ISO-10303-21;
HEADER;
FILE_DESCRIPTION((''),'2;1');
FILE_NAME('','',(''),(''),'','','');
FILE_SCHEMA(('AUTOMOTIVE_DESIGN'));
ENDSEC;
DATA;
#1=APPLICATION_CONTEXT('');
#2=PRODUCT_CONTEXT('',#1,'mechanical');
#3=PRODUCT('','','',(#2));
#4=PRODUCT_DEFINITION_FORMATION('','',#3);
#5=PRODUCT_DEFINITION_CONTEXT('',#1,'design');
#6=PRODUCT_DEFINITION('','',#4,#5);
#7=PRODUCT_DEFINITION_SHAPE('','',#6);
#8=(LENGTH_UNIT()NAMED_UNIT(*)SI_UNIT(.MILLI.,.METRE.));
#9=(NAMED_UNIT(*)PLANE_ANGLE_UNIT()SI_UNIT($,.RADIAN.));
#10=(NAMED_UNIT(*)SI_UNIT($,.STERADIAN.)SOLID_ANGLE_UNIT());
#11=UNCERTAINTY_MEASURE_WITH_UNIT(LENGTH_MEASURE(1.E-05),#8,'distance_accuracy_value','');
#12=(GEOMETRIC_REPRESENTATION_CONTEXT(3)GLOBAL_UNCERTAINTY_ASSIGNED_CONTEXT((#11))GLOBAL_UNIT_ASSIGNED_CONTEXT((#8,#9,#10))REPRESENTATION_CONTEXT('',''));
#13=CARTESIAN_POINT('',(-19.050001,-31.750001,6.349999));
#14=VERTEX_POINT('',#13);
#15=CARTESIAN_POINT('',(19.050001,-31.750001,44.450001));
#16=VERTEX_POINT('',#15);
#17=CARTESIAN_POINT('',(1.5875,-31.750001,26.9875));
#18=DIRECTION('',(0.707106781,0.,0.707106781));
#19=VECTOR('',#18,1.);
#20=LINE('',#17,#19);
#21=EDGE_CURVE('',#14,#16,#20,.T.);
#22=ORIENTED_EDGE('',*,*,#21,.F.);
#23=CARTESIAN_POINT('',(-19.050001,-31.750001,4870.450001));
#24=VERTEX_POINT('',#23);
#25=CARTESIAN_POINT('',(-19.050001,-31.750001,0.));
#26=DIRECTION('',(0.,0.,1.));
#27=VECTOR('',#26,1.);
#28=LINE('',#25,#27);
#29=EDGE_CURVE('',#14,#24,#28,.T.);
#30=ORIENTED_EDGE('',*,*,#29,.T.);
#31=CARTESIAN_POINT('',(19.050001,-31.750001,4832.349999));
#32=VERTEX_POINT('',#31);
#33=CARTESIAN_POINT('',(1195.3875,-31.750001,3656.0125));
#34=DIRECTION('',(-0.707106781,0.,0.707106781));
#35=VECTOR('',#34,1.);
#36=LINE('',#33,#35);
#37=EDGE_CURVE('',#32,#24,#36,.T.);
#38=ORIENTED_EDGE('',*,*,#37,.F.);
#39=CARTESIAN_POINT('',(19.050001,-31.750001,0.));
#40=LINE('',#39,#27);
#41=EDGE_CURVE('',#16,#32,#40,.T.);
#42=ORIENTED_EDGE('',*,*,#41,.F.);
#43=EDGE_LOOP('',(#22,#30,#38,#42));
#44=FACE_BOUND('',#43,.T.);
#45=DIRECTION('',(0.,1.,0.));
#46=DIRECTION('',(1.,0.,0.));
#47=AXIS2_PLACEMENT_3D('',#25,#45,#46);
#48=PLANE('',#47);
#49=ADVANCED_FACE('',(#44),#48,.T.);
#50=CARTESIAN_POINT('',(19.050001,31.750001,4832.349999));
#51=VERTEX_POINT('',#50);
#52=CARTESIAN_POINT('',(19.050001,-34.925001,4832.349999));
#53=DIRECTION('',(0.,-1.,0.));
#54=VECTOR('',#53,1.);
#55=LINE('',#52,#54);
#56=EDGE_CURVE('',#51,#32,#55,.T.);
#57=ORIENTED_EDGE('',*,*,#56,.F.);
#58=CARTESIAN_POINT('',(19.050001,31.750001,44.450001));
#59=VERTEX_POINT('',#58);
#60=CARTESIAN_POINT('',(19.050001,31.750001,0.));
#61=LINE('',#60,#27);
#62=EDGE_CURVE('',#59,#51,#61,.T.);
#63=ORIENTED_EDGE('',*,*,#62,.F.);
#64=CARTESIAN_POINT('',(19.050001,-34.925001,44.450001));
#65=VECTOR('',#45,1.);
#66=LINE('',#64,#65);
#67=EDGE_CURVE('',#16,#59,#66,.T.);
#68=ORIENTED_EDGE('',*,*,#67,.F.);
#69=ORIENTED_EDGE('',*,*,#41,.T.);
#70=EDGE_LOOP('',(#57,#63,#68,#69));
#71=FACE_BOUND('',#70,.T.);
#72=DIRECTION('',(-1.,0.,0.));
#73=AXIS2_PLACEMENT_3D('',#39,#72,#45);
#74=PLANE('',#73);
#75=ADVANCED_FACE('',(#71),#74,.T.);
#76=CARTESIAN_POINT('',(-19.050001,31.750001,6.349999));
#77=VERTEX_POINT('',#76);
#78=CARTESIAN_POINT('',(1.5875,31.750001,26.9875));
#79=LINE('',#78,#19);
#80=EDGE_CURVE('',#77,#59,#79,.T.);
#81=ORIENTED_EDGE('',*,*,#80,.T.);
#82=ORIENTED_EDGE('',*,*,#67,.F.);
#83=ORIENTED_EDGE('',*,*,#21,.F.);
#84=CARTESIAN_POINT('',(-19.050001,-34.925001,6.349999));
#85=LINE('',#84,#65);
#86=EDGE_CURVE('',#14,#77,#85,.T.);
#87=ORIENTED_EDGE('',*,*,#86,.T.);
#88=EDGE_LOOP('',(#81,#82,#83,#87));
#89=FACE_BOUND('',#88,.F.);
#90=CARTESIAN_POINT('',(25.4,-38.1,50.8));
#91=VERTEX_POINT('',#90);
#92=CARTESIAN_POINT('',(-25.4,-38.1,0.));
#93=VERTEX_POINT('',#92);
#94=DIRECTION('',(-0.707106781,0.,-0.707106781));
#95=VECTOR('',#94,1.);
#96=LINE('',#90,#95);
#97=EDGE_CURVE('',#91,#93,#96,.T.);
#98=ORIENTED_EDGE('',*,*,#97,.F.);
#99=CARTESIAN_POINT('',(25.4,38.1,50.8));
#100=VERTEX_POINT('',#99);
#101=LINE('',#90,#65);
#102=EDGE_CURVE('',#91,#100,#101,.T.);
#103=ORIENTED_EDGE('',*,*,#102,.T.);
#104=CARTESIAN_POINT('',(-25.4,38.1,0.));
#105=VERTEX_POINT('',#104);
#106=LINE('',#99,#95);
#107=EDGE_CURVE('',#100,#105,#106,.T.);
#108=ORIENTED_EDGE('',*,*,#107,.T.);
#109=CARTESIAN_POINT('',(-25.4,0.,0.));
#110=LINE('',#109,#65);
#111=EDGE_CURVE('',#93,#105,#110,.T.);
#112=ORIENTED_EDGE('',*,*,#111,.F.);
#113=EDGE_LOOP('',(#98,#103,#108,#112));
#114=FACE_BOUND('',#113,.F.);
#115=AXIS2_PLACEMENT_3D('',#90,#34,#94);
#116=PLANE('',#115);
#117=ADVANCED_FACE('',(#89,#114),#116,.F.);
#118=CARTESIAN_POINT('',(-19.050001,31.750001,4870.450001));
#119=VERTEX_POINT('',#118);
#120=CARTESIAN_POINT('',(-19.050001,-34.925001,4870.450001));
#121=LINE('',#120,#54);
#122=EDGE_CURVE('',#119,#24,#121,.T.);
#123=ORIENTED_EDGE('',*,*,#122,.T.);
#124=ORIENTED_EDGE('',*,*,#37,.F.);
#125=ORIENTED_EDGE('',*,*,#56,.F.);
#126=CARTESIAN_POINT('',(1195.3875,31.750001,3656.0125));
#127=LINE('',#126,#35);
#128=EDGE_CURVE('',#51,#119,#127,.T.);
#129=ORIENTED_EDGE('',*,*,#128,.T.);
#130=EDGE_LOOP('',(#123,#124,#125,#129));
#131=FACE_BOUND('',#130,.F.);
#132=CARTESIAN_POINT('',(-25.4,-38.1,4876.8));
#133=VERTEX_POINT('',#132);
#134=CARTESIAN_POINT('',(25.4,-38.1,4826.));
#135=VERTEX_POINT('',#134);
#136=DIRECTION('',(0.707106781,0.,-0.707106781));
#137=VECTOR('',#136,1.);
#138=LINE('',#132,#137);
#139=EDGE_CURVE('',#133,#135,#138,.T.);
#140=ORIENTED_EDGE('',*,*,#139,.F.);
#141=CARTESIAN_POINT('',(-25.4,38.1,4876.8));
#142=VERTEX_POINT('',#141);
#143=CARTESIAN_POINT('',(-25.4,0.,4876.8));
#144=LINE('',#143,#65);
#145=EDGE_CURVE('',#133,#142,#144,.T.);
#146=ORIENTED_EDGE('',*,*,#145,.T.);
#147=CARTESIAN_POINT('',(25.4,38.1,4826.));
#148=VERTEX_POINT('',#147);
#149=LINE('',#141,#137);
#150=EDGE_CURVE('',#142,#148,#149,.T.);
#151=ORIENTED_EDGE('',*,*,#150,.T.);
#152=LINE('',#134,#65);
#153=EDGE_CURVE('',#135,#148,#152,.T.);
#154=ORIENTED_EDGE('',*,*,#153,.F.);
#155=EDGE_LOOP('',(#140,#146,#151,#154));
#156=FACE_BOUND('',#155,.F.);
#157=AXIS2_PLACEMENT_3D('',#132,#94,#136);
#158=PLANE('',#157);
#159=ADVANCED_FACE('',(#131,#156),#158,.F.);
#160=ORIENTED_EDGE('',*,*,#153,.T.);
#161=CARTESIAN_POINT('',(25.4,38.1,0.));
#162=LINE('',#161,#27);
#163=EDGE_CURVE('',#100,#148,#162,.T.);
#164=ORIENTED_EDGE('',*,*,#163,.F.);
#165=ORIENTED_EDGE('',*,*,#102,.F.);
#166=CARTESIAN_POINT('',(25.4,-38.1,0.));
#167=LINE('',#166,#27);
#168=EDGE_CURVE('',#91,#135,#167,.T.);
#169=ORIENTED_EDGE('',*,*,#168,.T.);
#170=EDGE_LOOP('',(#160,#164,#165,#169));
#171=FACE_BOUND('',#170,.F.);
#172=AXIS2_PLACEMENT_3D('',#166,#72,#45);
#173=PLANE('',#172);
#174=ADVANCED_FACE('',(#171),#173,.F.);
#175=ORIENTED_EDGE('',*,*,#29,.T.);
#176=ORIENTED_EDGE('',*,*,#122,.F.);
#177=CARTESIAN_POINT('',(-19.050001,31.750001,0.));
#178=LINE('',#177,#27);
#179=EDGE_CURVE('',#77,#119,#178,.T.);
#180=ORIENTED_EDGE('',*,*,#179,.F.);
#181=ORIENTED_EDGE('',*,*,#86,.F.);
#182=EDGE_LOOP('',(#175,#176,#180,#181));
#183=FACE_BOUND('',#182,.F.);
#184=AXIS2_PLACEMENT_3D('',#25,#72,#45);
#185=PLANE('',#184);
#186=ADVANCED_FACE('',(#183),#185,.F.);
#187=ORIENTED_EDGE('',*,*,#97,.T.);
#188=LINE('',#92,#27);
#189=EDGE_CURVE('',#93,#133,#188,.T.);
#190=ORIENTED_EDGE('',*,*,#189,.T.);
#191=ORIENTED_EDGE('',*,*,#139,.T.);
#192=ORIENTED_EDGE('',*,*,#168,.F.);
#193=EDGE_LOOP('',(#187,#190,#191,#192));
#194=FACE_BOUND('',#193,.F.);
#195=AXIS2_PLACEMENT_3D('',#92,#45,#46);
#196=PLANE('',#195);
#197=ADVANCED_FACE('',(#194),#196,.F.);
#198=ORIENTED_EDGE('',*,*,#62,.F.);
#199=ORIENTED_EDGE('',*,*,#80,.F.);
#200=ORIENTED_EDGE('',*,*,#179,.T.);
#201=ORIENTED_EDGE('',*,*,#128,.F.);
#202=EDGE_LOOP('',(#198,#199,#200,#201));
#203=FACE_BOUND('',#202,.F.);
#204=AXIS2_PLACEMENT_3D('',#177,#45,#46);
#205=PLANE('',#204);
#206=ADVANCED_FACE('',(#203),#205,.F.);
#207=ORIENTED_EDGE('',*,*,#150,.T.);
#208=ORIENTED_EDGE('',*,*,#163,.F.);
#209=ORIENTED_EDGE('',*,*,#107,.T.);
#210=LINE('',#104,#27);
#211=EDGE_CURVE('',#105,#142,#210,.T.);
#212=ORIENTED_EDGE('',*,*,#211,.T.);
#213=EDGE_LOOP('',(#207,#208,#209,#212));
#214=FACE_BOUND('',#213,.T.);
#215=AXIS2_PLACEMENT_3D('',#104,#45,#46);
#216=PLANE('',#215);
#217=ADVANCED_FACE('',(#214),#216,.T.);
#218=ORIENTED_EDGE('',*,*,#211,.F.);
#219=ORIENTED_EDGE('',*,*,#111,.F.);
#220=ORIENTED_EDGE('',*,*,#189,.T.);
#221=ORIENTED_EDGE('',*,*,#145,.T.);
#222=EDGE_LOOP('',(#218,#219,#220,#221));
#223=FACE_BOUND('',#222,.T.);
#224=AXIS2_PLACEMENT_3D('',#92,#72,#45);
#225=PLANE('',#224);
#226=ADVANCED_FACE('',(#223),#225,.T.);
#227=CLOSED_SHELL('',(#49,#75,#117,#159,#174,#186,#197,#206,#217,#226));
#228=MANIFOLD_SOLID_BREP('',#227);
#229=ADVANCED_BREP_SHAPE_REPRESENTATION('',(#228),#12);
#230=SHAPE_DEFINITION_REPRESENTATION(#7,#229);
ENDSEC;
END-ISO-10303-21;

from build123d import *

# Parameters (mm, degrees)
F0_W     = 50.8
F0_H     = 76.2
F0_W_2   = 38.100002
F0_H_2   = 63.500002
F1_DEPTH = 4876.8
F3_DEPTH = 76.2


with BuildPart() as f1:
    # F0 (on Top) → F1 (new body)
    with BuildSketch(Plane.XY):
        Rectangle(F0_W, F0_H)
        Rectangle(F0_W_2, F0_H_2, mode=Mode.SUBTRACT)
    extrude(amount=F1_DEPTH)

    # F2 (on face) → F3 (cut)
    with BuildSketch(Plane.XZ.offset(38.1)):
        Polygon((25.4, 50.8), (-25.4, 0), (25.4, 0), align=None)
        Polygon((25.4, 4876.8), (-25.4, 4876.8), (25.4, 4826), align=None)
    extrude(amount=-F3_DEPTH, mode=Mode.SUBTRACT)


solid = f1.part
